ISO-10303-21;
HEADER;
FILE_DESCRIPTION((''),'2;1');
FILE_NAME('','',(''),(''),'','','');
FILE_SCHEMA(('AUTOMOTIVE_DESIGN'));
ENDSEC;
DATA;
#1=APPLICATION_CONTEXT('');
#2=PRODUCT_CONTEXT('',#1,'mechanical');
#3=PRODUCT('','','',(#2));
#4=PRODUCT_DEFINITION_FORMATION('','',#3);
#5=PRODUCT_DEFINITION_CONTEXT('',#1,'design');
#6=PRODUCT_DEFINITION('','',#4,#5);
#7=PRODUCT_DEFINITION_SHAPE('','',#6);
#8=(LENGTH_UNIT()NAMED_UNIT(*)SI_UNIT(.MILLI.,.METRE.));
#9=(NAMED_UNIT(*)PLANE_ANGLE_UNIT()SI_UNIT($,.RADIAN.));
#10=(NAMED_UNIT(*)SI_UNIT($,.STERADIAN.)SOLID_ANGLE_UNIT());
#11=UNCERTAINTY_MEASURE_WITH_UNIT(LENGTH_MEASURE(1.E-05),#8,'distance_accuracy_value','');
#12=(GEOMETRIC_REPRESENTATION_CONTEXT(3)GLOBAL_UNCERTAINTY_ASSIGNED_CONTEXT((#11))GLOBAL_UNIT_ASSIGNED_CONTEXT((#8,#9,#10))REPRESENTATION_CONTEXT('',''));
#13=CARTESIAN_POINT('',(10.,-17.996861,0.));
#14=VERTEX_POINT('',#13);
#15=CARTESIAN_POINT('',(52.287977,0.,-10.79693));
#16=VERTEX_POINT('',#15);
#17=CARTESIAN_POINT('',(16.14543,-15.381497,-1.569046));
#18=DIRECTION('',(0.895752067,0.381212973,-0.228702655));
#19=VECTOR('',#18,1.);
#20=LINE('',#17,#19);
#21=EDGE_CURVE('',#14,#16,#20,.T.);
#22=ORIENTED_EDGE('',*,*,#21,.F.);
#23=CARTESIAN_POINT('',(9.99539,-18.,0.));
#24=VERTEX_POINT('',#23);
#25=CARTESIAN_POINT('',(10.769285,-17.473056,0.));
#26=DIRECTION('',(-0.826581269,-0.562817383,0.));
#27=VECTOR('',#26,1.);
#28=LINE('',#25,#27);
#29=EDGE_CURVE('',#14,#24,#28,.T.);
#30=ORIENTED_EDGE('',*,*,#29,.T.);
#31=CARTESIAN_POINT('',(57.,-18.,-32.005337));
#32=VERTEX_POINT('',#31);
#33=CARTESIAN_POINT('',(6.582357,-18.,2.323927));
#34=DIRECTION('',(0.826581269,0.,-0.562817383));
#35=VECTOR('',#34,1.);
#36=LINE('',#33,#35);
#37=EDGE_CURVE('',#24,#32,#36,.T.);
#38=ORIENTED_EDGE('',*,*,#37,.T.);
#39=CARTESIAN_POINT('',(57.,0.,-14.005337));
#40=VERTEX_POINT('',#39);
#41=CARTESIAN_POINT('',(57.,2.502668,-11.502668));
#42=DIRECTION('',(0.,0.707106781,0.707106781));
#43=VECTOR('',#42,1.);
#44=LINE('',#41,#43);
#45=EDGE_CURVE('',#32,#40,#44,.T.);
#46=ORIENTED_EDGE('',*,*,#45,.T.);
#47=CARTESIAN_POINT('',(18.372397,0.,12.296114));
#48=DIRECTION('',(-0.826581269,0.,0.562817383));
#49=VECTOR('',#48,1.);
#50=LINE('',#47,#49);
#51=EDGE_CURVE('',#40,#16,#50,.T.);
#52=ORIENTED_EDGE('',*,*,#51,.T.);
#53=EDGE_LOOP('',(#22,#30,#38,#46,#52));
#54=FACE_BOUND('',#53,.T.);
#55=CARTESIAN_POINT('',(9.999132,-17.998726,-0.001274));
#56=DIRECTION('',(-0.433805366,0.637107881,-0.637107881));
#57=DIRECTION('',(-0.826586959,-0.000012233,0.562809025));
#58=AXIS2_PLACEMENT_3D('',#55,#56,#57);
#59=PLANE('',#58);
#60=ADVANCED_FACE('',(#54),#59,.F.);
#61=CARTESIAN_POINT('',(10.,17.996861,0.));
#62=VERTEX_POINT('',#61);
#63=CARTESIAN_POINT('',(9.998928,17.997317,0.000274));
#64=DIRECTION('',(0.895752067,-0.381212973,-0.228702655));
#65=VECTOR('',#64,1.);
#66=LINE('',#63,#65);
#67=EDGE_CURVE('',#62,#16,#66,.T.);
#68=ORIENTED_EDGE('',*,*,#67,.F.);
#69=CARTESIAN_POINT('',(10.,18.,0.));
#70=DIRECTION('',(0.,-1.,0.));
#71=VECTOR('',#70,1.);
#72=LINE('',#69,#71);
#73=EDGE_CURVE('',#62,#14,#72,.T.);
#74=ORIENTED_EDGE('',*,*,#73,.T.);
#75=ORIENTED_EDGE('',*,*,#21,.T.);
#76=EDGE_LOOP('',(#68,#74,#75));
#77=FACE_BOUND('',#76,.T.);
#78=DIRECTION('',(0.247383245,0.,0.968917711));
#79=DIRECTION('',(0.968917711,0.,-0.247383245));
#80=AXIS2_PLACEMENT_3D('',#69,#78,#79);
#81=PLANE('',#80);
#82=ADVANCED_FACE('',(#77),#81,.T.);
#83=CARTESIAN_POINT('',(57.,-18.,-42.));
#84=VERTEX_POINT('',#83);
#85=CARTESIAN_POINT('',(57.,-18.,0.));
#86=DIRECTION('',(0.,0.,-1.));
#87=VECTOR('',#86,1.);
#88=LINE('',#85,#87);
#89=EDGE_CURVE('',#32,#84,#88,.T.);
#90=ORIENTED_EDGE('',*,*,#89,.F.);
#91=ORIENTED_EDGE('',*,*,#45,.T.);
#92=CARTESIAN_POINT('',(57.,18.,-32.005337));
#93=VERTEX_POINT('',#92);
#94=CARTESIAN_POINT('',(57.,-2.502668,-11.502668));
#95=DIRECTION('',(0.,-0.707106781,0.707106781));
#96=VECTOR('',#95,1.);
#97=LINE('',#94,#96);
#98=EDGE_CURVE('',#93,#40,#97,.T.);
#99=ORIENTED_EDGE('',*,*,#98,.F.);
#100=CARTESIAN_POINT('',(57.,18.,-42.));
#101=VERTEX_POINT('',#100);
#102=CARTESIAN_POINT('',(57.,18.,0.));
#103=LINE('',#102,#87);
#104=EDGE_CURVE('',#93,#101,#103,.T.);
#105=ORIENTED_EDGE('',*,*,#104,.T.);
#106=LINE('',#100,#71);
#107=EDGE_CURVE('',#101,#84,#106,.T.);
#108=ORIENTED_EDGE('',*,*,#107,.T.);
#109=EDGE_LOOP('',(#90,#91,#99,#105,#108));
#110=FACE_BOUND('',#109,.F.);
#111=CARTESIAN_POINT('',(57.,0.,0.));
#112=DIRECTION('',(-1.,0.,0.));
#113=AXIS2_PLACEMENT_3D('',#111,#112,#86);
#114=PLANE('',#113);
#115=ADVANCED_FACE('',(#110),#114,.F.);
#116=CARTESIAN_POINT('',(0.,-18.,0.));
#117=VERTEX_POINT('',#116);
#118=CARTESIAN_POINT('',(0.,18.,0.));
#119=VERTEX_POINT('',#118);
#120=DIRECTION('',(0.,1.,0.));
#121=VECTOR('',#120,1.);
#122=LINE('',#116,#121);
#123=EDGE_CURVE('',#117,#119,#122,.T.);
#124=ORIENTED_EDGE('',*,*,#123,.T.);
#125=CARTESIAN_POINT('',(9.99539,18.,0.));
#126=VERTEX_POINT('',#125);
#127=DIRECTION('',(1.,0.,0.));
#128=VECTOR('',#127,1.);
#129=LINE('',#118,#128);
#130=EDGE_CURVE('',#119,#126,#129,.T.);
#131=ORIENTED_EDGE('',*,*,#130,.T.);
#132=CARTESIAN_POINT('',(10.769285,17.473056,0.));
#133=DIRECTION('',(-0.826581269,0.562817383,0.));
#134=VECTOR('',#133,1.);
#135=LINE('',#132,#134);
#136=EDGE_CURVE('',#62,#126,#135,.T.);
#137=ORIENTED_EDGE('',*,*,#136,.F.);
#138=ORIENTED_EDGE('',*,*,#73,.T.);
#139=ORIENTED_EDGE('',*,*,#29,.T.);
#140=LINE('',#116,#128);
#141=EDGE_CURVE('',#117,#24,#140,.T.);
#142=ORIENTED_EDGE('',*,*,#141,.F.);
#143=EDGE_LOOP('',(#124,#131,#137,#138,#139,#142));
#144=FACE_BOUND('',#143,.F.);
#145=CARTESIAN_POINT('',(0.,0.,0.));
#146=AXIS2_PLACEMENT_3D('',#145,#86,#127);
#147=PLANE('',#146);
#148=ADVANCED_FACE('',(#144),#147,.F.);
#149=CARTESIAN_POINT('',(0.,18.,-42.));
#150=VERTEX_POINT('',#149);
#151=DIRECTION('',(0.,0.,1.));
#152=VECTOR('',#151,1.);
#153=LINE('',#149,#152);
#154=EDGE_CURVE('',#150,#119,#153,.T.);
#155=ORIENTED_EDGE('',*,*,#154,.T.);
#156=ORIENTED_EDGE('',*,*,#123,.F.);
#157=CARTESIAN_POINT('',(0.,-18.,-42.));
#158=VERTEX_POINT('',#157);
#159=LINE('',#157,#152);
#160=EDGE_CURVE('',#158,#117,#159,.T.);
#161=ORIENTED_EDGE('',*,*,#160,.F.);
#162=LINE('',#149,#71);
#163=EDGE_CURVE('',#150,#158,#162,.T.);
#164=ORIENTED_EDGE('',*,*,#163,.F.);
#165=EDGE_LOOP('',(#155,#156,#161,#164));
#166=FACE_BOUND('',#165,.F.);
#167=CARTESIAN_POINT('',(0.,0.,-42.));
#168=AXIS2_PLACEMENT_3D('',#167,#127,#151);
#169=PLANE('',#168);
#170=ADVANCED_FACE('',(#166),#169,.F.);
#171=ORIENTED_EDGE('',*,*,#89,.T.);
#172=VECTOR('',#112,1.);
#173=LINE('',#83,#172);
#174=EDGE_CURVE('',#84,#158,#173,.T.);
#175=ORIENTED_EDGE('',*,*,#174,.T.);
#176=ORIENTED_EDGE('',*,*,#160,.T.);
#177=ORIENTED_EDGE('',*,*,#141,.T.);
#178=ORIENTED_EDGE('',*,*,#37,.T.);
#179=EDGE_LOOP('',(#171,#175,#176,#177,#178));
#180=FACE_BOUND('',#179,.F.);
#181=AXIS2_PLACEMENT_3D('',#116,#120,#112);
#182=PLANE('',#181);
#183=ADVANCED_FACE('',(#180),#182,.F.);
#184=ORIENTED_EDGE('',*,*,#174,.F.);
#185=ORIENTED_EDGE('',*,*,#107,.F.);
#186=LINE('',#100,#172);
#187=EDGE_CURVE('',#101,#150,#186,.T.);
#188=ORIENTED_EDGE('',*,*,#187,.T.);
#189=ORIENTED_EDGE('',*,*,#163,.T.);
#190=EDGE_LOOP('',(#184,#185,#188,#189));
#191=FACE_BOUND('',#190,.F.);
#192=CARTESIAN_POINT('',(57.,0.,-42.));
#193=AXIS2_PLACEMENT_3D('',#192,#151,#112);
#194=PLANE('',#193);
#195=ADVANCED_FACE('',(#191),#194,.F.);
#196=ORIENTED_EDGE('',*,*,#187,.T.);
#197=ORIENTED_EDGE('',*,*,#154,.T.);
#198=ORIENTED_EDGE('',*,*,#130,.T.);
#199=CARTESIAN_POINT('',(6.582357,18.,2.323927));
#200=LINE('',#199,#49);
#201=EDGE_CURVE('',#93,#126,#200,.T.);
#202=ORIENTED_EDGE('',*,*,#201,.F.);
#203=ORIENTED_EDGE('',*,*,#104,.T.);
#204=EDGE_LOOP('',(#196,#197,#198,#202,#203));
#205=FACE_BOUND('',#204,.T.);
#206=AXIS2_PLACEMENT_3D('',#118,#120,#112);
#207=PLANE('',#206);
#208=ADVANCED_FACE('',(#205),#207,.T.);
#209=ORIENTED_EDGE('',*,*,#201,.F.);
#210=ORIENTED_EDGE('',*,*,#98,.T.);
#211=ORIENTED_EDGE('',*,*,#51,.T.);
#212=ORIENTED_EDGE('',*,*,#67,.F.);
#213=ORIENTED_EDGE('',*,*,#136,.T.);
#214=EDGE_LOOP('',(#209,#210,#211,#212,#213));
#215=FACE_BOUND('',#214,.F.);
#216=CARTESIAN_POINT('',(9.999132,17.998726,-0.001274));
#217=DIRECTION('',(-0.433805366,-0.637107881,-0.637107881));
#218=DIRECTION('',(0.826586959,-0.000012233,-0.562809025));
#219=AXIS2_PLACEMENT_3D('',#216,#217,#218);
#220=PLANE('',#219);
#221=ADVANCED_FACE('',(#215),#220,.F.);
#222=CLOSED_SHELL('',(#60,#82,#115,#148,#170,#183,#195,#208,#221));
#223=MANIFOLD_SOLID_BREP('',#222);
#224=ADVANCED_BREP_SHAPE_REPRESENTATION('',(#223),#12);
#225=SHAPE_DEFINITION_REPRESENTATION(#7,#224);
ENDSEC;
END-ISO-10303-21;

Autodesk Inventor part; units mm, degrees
ref_plane "YZ Plane" through (0, 0, 0) normal (1, 0, 0) x (0, 1, 0)
ref_plane "XZ Plane" through (0, 0, 0) normal (0, 1, 0) x (-1, 0, 0)
sketch "草圖1" plane through (0, 0, 0) normal (0, 1, 0) x (-1, 0, 0)
  line L0 (0, 0) -> (-57, 0)
  line L1 (-57, 0) -> (-57, -42)
  line L2 (-57, -42) -> (0, -42)
  line L3 (0, -42) -> (0, 0)
  dimension "d0" = 57
  dimension "d1" = 42
extrude "擠出1" add sketch "草圖1" along normal mid plane 36
sketch "草圖2" plane through (0, 18, 0) normal (0, 1, 0) x (1, 0, 0)
  line L0 (0, 0) -> (57, 0) projected
  line L1 (10, 0) -> (57, 12)
  line L2 (57, 0) -> (57, 42) projected
  dimension "d4" = 10
  dimension "d5" = 30
extrude "擠出2" cut sketch "草圖2" against normal blind 40
sketch "草圖3" plane through (57, -18, -42) normal (1, 0, 0) x (0, 0, -1)
  line L0 (-30, 16) -> (-10, 36)
  line L1 (0, 36) -> (-42, 36) projected
  line L2 (-30, 36) -> (-30, 0) projected
  point P0 (-42, 18)
  dimension "d8" = 20
  dimension "d9" = 20
ref_plane "工作平面1" through (10, 18, 0) normal (-0.4338, -0.6371, -0.6371) x (0.8266, 0, -0.5628)
sketch "草圖4" plane through (10, 18, 0) normal (-0.4338, -0.6371, -0.6371) x (0.8266, 0, -0.5628)
  line L0 (-15.1543, -12.3218) -> (93.717, -12.3218)
  line L1 (93.717, -12.3218) -> (93.717, 28.8166)
  line L2 (93.717, 28.8166) -> (-15.1543, 28.8166)
  line L3 (-15.1543, 28.8166) -> (-15.1543, -12.3218)
  point P0 (-8.266, 10.2882)
extrude "擠出3" cut sketch "草圖4" against normal blind 40
mirror "鏡射1" about plane through (0, 0, 0) normal (0, 1, 0) of "擠出3"
properties part number "16"
